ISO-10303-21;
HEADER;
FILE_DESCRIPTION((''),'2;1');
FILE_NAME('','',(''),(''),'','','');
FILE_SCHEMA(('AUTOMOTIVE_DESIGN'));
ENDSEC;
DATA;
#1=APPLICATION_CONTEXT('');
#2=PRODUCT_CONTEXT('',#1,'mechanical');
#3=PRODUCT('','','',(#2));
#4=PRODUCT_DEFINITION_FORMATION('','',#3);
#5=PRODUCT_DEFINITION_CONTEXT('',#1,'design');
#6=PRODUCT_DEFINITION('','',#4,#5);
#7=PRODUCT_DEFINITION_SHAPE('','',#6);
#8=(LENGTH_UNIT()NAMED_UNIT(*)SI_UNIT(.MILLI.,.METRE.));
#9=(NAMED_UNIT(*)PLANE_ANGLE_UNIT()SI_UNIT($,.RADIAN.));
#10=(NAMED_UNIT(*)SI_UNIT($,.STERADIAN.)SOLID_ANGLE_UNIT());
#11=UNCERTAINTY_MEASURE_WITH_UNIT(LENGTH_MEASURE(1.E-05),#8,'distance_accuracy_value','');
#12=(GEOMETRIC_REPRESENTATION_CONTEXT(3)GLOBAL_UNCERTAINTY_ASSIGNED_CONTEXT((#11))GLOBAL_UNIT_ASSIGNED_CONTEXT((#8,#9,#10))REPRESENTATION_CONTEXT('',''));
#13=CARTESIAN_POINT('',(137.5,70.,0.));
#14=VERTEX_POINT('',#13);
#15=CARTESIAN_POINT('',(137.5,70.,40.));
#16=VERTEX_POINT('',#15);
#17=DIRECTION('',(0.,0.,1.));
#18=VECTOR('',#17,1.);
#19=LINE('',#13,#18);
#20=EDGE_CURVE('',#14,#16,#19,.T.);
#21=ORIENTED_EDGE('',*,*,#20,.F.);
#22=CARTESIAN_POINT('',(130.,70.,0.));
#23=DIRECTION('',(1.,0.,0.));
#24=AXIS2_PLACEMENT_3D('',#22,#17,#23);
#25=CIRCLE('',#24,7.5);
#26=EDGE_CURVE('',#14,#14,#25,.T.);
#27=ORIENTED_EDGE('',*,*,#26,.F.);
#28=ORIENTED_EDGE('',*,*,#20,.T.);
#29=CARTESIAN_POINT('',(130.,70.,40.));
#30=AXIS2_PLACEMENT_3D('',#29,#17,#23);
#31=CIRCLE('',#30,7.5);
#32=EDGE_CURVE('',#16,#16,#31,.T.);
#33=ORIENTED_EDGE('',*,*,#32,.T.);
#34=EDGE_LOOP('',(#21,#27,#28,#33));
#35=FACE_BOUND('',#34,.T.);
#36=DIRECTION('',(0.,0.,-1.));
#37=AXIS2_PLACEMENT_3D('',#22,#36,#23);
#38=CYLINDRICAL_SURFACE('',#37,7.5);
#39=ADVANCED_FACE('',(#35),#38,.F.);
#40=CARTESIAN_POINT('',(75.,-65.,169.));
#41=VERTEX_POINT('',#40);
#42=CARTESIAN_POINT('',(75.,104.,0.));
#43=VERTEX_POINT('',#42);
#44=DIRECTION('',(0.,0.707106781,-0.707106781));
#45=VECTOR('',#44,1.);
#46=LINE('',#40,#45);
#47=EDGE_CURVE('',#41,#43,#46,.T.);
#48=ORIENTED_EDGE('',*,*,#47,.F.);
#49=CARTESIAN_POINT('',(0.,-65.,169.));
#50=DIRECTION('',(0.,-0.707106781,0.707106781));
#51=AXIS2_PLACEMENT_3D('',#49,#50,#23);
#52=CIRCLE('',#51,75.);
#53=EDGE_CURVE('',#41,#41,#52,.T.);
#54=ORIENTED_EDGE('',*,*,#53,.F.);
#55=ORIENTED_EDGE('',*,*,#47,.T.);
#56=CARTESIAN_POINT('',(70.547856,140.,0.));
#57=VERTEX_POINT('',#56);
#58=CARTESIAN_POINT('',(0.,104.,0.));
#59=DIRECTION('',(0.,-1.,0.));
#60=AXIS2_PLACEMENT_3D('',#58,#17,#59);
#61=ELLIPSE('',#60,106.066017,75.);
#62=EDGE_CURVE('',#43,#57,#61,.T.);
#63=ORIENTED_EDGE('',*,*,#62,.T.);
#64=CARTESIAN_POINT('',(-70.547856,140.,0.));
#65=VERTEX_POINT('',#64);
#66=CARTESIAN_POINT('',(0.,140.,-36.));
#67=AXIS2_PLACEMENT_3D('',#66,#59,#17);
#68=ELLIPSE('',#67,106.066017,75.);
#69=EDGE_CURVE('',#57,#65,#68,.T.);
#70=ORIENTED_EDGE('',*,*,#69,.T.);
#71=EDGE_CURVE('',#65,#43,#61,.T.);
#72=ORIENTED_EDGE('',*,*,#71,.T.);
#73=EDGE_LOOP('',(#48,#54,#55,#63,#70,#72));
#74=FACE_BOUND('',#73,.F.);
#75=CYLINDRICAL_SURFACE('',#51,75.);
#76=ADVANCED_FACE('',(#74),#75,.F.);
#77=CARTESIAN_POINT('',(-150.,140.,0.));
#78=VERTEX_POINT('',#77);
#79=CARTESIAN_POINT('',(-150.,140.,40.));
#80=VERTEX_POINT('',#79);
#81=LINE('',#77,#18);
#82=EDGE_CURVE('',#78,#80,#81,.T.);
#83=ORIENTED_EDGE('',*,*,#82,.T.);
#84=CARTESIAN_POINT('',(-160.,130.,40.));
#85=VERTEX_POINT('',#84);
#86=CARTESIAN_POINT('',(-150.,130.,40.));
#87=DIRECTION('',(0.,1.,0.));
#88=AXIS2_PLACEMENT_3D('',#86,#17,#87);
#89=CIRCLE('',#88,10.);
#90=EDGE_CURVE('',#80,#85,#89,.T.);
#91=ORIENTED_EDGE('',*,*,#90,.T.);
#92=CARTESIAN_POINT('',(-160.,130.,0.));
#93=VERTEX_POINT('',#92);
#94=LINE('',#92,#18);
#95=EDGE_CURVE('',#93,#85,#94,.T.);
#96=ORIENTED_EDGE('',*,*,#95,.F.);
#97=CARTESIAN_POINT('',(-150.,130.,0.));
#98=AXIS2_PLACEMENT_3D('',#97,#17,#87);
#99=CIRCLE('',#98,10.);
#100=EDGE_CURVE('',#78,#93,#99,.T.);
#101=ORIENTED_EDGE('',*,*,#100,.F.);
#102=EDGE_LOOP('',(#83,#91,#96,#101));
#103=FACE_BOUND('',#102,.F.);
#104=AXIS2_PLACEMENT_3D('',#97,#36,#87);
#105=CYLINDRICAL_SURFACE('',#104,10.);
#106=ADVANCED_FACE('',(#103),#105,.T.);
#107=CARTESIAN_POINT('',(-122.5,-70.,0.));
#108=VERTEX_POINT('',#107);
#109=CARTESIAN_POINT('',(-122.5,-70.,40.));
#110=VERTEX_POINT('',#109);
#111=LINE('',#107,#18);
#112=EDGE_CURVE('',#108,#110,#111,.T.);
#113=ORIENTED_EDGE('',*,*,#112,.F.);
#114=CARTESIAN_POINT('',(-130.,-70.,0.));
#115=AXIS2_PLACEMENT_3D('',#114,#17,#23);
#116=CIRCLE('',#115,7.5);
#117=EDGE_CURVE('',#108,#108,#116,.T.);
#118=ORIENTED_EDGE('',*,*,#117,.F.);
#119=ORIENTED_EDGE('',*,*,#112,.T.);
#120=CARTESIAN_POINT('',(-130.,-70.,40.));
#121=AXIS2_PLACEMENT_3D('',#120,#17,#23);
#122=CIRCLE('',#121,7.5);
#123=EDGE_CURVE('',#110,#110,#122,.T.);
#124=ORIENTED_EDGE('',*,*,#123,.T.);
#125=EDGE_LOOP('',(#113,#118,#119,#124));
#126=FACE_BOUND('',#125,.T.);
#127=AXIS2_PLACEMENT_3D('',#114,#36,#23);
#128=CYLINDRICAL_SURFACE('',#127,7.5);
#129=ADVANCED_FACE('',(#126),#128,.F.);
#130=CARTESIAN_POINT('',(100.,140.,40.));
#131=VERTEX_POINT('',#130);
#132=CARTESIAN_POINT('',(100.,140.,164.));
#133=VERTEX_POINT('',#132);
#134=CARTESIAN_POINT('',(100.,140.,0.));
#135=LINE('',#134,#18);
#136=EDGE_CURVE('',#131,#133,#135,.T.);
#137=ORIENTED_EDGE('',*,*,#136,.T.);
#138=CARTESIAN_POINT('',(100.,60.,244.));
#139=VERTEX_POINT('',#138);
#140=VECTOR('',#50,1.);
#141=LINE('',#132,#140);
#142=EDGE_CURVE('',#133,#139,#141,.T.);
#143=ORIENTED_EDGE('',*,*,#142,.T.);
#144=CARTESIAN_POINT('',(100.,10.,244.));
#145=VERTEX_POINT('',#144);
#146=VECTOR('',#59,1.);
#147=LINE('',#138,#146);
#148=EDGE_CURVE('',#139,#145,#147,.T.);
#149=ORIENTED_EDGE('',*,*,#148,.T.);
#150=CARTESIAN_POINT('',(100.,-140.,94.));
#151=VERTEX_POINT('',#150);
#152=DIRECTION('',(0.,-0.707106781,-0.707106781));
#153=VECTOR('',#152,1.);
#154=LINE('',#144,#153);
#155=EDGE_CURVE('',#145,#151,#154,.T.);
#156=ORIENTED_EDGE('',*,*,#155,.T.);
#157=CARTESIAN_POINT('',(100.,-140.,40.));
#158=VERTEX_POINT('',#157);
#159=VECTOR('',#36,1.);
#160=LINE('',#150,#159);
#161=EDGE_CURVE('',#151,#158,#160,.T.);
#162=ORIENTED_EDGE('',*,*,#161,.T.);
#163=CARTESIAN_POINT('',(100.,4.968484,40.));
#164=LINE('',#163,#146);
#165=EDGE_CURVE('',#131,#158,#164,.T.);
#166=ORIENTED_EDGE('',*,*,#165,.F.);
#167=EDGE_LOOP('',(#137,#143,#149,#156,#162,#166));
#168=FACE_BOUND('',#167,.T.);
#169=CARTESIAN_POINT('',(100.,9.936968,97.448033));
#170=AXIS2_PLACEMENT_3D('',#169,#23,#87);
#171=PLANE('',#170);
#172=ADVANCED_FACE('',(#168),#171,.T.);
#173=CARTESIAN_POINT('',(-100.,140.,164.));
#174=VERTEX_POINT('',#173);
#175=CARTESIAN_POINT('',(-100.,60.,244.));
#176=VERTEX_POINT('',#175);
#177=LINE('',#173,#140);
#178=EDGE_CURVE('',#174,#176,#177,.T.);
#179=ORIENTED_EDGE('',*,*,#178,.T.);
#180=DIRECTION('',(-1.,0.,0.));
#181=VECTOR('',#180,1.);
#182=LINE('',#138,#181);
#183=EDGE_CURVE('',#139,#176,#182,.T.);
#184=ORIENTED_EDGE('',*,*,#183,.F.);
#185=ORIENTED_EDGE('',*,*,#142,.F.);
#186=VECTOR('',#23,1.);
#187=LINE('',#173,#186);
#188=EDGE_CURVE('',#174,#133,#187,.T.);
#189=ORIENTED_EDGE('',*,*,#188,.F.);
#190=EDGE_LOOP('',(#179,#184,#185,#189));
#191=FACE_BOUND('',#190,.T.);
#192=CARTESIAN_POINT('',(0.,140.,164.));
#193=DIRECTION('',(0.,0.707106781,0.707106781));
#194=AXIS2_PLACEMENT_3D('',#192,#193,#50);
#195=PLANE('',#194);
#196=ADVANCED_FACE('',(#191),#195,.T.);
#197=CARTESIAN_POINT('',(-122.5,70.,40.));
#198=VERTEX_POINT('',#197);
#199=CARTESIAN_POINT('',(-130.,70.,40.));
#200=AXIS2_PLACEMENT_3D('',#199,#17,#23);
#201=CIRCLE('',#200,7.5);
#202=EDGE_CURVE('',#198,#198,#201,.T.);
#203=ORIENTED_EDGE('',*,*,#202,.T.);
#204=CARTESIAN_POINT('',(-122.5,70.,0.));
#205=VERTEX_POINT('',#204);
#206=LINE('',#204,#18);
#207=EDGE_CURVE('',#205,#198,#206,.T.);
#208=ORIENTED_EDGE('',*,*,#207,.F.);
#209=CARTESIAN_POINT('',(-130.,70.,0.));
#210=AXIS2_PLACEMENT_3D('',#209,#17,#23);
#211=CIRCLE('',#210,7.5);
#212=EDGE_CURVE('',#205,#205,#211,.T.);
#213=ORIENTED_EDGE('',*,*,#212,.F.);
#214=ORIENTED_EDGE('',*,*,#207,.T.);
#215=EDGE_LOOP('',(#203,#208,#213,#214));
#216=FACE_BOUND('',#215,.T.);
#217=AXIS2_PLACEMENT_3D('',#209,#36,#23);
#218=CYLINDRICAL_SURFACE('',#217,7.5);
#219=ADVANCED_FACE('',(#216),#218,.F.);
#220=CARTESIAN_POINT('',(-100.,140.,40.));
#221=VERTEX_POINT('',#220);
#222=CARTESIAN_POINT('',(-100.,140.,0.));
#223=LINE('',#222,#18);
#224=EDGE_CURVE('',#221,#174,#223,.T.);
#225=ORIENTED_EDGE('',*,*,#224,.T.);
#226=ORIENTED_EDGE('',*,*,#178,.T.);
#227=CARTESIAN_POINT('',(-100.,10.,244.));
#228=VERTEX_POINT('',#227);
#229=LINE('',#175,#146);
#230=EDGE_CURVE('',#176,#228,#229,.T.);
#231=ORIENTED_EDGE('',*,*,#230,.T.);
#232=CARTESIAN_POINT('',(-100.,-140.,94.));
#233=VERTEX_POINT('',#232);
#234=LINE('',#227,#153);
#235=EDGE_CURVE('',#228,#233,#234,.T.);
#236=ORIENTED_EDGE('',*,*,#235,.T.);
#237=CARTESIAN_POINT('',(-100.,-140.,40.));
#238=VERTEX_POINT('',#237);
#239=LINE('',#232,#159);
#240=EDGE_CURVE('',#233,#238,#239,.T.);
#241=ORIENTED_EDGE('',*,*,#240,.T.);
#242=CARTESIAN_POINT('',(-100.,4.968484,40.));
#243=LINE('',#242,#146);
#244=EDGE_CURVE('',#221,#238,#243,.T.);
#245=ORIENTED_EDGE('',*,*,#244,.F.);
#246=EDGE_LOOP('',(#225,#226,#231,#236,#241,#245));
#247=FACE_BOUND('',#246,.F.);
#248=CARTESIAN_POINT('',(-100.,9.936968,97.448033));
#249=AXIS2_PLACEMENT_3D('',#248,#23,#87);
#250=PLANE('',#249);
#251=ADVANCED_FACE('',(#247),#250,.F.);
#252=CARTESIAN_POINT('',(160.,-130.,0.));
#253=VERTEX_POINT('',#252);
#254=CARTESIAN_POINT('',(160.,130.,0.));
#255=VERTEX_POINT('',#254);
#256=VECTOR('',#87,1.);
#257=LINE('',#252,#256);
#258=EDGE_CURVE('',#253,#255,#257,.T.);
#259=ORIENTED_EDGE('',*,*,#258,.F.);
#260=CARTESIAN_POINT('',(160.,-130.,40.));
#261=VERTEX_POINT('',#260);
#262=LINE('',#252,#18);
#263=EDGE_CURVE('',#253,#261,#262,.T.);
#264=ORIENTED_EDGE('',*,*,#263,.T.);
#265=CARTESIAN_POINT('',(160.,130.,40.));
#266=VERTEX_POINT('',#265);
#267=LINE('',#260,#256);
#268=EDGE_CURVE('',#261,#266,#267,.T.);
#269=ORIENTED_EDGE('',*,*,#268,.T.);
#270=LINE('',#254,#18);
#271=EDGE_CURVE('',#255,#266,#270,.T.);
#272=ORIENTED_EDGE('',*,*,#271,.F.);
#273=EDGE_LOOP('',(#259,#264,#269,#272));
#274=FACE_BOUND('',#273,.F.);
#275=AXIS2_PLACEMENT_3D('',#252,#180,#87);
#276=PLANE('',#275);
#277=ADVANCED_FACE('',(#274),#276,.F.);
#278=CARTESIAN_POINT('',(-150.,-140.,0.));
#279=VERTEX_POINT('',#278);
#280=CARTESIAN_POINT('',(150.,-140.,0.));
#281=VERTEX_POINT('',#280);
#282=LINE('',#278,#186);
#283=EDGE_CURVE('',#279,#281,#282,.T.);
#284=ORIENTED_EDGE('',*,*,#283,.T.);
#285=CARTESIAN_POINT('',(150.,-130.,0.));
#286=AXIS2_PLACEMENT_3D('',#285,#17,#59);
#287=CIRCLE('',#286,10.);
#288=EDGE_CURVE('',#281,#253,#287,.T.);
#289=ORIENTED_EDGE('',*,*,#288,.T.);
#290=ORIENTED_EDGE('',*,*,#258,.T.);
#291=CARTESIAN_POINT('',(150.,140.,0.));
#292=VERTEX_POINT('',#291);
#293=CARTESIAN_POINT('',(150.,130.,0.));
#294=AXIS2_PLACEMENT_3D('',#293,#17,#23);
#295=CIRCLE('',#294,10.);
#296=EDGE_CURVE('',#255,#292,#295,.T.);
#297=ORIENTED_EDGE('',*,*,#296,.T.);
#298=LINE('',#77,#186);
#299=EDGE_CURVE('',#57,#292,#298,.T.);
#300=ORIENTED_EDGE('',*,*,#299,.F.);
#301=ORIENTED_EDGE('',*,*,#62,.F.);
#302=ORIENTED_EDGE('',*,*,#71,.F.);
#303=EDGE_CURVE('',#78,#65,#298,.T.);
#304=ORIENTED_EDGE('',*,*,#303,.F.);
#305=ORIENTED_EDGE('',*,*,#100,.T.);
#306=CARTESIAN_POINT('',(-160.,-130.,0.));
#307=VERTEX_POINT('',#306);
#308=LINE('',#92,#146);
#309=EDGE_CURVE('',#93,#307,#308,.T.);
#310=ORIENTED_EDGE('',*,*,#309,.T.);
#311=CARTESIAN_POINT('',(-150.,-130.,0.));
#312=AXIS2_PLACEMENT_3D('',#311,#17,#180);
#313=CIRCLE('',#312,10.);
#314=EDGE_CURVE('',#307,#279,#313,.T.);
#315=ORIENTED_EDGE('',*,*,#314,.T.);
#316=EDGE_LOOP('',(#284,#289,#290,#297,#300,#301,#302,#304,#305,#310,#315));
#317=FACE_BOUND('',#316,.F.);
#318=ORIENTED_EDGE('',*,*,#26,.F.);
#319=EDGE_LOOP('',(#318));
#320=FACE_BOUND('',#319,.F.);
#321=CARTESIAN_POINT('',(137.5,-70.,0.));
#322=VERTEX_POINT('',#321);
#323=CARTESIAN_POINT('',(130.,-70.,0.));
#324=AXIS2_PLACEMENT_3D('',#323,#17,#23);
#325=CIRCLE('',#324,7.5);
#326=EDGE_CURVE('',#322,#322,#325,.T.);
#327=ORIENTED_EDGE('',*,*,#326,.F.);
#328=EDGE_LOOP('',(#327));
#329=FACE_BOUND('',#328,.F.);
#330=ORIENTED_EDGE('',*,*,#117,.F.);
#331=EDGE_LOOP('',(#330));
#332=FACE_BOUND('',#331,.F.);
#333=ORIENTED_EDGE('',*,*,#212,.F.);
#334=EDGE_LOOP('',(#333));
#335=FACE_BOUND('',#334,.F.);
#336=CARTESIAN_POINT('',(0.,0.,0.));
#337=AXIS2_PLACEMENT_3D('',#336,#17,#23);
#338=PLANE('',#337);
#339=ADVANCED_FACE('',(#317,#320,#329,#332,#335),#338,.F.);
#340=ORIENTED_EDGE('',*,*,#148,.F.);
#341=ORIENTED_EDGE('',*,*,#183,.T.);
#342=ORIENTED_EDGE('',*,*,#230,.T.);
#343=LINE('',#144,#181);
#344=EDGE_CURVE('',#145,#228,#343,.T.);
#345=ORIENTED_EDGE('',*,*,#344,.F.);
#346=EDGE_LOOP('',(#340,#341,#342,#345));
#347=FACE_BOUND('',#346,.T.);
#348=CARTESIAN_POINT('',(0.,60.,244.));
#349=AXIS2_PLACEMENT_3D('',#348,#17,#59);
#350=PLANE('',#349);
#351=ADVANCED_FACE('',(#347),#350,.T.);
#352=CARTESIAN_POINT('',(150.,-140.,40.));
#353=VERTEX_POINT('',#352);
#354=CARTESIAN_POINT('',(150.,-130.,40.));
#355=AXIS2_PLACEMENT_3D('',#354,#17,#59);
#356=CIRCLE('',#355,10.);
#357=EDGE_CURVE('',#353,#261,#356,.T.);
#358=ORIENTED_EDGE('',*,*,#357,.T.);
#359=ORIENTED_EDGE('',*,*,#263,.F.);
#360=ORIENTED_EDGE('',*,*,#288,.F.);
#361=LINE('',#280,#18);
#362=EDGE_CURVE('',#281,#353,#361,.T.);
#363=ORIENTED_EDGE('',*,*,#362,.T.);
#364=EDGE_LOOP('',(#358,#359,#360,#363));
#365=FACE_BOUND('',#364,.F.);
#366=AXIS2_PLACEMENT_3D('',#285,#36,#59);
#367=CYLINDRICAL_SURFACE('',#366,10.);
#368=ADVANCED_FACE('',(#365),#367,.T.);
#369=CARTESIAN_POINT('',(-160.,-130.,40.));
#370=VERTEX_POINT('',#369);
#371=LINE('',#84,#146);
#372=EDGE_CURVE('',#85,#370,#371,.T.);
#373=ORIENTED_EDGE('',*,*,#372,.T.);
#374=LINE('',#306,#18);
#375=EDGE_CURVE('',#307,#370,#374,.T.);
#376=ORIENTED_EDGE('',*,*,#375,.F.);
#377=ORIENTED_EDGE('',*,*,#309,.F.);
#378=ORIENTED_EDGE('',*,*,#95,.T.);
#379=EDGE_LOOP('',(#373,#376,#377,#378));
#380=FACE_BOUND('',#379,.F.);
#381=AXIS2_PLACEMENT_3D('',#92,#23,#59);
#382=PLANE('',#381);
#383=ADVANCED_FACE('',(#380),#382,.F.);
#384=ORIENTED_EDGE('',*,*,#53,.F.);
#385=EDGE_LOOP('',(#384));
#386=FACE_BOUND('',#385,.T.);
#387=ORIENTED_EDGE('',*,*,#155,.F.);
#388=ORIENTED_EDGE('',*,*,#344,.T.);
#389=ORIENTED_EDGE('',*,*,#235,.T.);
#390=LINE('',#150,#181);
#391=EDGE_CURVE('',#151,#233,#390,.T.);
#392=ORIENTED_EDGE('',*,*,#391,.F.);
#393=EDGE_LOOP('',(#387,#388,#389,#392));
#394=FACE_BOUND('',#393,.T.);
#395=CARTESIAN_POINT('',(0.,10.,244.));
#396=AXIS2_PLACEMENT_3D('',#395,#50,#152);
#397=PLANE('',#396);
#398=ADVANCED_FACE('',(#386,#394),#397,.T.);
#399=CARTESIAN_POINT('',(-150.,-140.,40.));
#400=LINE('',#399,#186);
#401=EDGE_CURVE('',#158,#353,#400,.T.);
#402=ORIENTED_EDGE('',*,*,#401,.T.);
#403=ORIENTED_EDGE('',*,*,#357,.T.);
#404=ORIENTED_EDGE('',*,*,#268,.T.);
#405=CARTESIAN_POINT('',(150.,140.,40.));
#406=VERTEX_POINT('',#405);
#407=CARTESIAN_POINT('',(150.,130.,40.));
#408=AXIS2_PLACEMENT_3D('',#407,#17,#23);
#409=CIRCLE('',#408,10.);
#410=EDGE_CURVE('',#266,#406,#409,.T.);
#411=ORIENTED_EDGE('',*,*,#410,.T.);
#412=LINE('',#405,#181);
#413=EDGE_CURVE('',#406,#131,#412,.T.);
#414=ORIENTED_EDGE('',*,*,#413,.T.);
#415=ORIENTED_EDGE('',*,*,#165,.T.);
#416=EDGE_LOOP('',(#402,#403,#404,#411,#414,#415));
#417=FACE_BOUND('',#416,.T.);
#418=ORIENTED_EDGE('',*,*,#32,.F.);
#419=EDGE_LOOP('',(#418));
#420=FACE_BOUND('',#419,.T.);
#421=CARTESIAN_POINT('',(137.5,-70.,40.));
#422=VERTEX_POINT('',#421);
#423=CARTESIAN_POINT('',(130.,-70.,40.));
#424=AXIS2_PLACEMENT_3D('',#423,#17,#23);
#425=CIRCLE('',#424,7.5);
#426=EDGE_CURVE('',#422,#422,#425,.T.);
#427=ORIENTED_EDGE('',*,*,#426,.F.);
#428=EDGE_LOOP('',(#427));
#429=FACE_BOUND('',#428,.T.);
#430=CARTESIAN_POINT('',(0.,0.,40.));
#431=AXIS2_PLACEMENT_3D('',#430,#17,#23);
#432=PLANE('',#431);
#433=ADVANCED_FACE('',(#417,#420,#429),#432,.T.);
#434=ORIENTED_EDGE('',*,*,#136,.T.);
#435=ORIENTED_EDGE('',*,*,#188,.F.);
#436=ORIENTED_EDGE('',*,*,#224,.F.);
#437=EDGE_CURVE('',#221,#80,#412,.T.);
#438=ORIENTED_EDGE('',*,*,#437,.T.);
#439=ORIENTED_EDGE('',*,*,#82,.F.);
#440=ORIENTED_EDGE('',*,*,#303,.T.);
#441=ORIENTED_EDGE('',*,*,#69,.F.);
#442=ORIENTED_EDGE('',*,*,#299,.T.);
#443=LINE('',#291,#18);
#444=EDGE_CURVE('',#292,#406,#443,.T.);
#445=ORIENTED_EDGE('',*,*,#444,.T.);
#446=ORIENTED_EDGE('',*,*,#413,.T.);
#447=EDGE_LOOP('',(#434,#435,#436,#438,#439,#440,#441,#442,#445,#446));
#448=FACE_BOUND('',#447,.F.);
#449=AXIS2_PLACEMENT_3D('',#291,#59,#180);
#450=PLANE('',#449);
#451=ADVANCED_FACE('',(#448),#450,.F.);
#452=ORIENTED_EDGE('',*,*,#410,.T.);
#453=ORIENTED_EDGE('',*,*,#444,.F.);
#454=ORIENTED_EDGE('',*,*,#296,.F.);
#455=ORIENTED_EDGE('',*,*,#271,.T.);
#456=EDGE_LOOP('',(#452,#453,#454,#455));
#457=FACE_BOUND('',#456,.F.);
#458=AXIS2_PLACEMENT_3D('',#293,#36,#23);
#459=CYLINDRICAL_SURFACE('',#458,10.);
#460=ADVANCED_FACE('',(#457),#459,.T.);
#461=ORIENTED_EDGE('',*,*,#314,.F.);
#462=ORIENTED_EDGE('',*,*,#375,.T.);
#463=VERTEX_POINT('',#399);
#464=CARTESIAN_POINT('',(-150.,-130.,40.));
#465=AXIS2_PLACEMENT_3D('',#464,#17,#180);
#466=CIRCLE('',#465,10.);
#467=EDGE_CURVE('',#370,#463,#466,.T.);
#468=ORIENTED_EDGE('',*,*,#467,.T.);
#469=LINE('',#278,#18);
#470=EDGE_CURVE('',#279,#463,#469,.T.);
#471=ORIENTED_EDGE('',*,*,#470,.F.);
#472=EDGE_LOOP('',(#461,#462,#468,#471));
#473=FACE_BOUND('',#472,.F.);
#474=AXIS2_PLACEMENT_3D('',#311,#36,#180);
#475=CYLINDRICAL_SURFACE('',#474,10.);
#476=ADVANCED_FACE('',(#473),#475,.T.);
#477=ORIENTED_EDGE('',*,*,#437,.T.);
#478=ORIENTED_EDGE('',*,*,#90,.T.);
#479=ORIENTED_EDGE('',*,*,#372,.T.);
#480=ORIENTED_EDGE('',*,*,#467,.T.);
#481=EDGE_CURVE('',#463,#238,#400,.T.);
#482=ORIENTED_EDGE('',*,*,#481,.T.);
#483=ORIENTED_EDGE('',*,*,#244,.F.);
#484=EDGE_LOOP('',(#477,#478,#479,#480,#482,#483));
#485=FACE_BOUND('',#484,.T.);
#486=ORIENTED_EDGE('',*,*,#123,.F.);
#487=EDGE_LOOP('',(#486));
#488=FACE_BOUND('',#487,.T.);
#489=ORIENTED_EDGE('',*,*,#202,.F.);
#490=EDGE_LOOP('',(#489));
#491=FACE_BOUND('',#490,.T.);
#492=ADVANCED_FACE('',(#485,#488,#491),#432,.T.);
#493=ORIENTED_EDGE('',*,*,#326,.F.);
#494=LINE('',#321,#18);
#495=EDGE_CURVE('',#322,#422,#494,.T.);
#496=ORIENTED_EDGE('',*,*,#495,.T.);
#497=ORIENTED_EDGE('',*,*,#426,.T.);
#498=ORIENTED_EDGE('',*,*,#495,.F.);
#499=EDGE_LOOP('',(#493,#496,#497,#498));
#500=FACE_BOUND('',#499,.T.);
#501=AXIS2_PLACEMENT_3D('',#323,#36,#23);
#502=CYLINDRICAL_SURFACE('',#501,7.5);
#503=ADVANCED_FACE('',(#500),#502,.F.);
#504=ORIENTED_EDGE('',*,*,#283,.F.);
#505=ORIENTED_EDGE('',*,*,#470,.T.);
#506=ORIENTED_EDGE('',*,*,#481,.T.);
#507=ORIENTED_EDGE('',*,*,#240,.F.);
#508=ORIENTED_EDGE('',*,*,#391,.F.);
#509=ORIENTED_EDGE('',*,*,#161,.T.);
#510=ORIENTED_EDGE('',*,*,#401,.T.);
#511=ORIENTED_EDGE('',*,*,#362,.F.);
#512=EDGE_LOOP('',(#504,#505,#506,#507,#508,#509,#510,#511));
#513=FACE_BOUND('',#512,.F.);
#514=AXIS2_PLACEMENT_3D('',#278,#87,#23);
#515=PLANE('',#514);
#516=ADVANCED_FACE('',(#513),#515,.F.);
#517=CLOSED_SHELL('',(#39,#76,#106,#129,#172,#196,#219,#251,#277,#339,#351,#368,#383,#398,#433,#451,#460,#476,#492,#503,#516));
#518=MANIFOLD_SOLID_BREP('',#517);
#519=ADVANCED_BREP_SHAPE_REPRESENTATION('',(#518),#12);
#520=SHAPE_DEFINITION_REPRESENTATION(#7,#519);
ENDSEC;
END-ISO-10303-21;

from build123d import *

# Parameters (mm, degrees)
F1_DEPTH = 100
F3_R     = 7.5
F4_DEPTH = 40
F2_R     = 75
F5_DEPTH = 1000


with BuildPart() as f1:
    # F0 (on Right) → F1 (new body, symmetric)
    with BuildSketch(Plane.YZ):
        Polygon((-140, 94), (-140, 0), (0, 0), (140, 0), (140, 94), (140, 164), (60, 244), (10, 244), align=None)
    extrude(amount=F1_DEPTH, both=True)

    # F3 (on Top) → F4 (join)
    with BuildSketch(Plane.XY):
        with BuildLine():
            Line((-150, -140), (150, -140))
            ThreePointArc((150, -140), (157.0710678119, -137.0710678119), (160, -130))
            Line((160, -130), (160, 130))
            ThreePointArc((160, 130), (157.0710678119, 137.0710678119), (150, 140))
            Line((150, 140), (-150, 140))
            ThreePointArc((-150, 140), (-157.0710678119, 137.0710678119), (-160, 130))
            Line((-160, 130), (-160, -130))
            ThreePointArc((-160, -130), (-157.0710678119, -137.0710678119), (-150, -140))
        make_face()
        with Locations((-130, -70)):
            Circle(F3_R, mode=Mode.SUBTRACT)
        with Locations((130, -70)):
            Circle(F3_R, mode=Mode.SUBTRACT)
        with Locations((-130, 70)):
            Circle(F3_R, mode=Mode.SUBTRACT)
        with Locations((130, 70)):
            Circle(F3_R, mode=Mode.SUBTRACT)
    extrude(amount=F4_DEPTH)

    # F2 (on face) → F5 (cut)
    with BuildSketch(Plane(origin=(0, -117, 117), x_dir=(1, 0, 0), z_dir=(0, -0.7071067812, 0.7071067812))):
        with Locations((0, 73.5391052434)):
            Circle(F2_R)
    extrude(amount=-F5_DEPTH, mode=Mode.SUBTRACT)


solid = f1.part
